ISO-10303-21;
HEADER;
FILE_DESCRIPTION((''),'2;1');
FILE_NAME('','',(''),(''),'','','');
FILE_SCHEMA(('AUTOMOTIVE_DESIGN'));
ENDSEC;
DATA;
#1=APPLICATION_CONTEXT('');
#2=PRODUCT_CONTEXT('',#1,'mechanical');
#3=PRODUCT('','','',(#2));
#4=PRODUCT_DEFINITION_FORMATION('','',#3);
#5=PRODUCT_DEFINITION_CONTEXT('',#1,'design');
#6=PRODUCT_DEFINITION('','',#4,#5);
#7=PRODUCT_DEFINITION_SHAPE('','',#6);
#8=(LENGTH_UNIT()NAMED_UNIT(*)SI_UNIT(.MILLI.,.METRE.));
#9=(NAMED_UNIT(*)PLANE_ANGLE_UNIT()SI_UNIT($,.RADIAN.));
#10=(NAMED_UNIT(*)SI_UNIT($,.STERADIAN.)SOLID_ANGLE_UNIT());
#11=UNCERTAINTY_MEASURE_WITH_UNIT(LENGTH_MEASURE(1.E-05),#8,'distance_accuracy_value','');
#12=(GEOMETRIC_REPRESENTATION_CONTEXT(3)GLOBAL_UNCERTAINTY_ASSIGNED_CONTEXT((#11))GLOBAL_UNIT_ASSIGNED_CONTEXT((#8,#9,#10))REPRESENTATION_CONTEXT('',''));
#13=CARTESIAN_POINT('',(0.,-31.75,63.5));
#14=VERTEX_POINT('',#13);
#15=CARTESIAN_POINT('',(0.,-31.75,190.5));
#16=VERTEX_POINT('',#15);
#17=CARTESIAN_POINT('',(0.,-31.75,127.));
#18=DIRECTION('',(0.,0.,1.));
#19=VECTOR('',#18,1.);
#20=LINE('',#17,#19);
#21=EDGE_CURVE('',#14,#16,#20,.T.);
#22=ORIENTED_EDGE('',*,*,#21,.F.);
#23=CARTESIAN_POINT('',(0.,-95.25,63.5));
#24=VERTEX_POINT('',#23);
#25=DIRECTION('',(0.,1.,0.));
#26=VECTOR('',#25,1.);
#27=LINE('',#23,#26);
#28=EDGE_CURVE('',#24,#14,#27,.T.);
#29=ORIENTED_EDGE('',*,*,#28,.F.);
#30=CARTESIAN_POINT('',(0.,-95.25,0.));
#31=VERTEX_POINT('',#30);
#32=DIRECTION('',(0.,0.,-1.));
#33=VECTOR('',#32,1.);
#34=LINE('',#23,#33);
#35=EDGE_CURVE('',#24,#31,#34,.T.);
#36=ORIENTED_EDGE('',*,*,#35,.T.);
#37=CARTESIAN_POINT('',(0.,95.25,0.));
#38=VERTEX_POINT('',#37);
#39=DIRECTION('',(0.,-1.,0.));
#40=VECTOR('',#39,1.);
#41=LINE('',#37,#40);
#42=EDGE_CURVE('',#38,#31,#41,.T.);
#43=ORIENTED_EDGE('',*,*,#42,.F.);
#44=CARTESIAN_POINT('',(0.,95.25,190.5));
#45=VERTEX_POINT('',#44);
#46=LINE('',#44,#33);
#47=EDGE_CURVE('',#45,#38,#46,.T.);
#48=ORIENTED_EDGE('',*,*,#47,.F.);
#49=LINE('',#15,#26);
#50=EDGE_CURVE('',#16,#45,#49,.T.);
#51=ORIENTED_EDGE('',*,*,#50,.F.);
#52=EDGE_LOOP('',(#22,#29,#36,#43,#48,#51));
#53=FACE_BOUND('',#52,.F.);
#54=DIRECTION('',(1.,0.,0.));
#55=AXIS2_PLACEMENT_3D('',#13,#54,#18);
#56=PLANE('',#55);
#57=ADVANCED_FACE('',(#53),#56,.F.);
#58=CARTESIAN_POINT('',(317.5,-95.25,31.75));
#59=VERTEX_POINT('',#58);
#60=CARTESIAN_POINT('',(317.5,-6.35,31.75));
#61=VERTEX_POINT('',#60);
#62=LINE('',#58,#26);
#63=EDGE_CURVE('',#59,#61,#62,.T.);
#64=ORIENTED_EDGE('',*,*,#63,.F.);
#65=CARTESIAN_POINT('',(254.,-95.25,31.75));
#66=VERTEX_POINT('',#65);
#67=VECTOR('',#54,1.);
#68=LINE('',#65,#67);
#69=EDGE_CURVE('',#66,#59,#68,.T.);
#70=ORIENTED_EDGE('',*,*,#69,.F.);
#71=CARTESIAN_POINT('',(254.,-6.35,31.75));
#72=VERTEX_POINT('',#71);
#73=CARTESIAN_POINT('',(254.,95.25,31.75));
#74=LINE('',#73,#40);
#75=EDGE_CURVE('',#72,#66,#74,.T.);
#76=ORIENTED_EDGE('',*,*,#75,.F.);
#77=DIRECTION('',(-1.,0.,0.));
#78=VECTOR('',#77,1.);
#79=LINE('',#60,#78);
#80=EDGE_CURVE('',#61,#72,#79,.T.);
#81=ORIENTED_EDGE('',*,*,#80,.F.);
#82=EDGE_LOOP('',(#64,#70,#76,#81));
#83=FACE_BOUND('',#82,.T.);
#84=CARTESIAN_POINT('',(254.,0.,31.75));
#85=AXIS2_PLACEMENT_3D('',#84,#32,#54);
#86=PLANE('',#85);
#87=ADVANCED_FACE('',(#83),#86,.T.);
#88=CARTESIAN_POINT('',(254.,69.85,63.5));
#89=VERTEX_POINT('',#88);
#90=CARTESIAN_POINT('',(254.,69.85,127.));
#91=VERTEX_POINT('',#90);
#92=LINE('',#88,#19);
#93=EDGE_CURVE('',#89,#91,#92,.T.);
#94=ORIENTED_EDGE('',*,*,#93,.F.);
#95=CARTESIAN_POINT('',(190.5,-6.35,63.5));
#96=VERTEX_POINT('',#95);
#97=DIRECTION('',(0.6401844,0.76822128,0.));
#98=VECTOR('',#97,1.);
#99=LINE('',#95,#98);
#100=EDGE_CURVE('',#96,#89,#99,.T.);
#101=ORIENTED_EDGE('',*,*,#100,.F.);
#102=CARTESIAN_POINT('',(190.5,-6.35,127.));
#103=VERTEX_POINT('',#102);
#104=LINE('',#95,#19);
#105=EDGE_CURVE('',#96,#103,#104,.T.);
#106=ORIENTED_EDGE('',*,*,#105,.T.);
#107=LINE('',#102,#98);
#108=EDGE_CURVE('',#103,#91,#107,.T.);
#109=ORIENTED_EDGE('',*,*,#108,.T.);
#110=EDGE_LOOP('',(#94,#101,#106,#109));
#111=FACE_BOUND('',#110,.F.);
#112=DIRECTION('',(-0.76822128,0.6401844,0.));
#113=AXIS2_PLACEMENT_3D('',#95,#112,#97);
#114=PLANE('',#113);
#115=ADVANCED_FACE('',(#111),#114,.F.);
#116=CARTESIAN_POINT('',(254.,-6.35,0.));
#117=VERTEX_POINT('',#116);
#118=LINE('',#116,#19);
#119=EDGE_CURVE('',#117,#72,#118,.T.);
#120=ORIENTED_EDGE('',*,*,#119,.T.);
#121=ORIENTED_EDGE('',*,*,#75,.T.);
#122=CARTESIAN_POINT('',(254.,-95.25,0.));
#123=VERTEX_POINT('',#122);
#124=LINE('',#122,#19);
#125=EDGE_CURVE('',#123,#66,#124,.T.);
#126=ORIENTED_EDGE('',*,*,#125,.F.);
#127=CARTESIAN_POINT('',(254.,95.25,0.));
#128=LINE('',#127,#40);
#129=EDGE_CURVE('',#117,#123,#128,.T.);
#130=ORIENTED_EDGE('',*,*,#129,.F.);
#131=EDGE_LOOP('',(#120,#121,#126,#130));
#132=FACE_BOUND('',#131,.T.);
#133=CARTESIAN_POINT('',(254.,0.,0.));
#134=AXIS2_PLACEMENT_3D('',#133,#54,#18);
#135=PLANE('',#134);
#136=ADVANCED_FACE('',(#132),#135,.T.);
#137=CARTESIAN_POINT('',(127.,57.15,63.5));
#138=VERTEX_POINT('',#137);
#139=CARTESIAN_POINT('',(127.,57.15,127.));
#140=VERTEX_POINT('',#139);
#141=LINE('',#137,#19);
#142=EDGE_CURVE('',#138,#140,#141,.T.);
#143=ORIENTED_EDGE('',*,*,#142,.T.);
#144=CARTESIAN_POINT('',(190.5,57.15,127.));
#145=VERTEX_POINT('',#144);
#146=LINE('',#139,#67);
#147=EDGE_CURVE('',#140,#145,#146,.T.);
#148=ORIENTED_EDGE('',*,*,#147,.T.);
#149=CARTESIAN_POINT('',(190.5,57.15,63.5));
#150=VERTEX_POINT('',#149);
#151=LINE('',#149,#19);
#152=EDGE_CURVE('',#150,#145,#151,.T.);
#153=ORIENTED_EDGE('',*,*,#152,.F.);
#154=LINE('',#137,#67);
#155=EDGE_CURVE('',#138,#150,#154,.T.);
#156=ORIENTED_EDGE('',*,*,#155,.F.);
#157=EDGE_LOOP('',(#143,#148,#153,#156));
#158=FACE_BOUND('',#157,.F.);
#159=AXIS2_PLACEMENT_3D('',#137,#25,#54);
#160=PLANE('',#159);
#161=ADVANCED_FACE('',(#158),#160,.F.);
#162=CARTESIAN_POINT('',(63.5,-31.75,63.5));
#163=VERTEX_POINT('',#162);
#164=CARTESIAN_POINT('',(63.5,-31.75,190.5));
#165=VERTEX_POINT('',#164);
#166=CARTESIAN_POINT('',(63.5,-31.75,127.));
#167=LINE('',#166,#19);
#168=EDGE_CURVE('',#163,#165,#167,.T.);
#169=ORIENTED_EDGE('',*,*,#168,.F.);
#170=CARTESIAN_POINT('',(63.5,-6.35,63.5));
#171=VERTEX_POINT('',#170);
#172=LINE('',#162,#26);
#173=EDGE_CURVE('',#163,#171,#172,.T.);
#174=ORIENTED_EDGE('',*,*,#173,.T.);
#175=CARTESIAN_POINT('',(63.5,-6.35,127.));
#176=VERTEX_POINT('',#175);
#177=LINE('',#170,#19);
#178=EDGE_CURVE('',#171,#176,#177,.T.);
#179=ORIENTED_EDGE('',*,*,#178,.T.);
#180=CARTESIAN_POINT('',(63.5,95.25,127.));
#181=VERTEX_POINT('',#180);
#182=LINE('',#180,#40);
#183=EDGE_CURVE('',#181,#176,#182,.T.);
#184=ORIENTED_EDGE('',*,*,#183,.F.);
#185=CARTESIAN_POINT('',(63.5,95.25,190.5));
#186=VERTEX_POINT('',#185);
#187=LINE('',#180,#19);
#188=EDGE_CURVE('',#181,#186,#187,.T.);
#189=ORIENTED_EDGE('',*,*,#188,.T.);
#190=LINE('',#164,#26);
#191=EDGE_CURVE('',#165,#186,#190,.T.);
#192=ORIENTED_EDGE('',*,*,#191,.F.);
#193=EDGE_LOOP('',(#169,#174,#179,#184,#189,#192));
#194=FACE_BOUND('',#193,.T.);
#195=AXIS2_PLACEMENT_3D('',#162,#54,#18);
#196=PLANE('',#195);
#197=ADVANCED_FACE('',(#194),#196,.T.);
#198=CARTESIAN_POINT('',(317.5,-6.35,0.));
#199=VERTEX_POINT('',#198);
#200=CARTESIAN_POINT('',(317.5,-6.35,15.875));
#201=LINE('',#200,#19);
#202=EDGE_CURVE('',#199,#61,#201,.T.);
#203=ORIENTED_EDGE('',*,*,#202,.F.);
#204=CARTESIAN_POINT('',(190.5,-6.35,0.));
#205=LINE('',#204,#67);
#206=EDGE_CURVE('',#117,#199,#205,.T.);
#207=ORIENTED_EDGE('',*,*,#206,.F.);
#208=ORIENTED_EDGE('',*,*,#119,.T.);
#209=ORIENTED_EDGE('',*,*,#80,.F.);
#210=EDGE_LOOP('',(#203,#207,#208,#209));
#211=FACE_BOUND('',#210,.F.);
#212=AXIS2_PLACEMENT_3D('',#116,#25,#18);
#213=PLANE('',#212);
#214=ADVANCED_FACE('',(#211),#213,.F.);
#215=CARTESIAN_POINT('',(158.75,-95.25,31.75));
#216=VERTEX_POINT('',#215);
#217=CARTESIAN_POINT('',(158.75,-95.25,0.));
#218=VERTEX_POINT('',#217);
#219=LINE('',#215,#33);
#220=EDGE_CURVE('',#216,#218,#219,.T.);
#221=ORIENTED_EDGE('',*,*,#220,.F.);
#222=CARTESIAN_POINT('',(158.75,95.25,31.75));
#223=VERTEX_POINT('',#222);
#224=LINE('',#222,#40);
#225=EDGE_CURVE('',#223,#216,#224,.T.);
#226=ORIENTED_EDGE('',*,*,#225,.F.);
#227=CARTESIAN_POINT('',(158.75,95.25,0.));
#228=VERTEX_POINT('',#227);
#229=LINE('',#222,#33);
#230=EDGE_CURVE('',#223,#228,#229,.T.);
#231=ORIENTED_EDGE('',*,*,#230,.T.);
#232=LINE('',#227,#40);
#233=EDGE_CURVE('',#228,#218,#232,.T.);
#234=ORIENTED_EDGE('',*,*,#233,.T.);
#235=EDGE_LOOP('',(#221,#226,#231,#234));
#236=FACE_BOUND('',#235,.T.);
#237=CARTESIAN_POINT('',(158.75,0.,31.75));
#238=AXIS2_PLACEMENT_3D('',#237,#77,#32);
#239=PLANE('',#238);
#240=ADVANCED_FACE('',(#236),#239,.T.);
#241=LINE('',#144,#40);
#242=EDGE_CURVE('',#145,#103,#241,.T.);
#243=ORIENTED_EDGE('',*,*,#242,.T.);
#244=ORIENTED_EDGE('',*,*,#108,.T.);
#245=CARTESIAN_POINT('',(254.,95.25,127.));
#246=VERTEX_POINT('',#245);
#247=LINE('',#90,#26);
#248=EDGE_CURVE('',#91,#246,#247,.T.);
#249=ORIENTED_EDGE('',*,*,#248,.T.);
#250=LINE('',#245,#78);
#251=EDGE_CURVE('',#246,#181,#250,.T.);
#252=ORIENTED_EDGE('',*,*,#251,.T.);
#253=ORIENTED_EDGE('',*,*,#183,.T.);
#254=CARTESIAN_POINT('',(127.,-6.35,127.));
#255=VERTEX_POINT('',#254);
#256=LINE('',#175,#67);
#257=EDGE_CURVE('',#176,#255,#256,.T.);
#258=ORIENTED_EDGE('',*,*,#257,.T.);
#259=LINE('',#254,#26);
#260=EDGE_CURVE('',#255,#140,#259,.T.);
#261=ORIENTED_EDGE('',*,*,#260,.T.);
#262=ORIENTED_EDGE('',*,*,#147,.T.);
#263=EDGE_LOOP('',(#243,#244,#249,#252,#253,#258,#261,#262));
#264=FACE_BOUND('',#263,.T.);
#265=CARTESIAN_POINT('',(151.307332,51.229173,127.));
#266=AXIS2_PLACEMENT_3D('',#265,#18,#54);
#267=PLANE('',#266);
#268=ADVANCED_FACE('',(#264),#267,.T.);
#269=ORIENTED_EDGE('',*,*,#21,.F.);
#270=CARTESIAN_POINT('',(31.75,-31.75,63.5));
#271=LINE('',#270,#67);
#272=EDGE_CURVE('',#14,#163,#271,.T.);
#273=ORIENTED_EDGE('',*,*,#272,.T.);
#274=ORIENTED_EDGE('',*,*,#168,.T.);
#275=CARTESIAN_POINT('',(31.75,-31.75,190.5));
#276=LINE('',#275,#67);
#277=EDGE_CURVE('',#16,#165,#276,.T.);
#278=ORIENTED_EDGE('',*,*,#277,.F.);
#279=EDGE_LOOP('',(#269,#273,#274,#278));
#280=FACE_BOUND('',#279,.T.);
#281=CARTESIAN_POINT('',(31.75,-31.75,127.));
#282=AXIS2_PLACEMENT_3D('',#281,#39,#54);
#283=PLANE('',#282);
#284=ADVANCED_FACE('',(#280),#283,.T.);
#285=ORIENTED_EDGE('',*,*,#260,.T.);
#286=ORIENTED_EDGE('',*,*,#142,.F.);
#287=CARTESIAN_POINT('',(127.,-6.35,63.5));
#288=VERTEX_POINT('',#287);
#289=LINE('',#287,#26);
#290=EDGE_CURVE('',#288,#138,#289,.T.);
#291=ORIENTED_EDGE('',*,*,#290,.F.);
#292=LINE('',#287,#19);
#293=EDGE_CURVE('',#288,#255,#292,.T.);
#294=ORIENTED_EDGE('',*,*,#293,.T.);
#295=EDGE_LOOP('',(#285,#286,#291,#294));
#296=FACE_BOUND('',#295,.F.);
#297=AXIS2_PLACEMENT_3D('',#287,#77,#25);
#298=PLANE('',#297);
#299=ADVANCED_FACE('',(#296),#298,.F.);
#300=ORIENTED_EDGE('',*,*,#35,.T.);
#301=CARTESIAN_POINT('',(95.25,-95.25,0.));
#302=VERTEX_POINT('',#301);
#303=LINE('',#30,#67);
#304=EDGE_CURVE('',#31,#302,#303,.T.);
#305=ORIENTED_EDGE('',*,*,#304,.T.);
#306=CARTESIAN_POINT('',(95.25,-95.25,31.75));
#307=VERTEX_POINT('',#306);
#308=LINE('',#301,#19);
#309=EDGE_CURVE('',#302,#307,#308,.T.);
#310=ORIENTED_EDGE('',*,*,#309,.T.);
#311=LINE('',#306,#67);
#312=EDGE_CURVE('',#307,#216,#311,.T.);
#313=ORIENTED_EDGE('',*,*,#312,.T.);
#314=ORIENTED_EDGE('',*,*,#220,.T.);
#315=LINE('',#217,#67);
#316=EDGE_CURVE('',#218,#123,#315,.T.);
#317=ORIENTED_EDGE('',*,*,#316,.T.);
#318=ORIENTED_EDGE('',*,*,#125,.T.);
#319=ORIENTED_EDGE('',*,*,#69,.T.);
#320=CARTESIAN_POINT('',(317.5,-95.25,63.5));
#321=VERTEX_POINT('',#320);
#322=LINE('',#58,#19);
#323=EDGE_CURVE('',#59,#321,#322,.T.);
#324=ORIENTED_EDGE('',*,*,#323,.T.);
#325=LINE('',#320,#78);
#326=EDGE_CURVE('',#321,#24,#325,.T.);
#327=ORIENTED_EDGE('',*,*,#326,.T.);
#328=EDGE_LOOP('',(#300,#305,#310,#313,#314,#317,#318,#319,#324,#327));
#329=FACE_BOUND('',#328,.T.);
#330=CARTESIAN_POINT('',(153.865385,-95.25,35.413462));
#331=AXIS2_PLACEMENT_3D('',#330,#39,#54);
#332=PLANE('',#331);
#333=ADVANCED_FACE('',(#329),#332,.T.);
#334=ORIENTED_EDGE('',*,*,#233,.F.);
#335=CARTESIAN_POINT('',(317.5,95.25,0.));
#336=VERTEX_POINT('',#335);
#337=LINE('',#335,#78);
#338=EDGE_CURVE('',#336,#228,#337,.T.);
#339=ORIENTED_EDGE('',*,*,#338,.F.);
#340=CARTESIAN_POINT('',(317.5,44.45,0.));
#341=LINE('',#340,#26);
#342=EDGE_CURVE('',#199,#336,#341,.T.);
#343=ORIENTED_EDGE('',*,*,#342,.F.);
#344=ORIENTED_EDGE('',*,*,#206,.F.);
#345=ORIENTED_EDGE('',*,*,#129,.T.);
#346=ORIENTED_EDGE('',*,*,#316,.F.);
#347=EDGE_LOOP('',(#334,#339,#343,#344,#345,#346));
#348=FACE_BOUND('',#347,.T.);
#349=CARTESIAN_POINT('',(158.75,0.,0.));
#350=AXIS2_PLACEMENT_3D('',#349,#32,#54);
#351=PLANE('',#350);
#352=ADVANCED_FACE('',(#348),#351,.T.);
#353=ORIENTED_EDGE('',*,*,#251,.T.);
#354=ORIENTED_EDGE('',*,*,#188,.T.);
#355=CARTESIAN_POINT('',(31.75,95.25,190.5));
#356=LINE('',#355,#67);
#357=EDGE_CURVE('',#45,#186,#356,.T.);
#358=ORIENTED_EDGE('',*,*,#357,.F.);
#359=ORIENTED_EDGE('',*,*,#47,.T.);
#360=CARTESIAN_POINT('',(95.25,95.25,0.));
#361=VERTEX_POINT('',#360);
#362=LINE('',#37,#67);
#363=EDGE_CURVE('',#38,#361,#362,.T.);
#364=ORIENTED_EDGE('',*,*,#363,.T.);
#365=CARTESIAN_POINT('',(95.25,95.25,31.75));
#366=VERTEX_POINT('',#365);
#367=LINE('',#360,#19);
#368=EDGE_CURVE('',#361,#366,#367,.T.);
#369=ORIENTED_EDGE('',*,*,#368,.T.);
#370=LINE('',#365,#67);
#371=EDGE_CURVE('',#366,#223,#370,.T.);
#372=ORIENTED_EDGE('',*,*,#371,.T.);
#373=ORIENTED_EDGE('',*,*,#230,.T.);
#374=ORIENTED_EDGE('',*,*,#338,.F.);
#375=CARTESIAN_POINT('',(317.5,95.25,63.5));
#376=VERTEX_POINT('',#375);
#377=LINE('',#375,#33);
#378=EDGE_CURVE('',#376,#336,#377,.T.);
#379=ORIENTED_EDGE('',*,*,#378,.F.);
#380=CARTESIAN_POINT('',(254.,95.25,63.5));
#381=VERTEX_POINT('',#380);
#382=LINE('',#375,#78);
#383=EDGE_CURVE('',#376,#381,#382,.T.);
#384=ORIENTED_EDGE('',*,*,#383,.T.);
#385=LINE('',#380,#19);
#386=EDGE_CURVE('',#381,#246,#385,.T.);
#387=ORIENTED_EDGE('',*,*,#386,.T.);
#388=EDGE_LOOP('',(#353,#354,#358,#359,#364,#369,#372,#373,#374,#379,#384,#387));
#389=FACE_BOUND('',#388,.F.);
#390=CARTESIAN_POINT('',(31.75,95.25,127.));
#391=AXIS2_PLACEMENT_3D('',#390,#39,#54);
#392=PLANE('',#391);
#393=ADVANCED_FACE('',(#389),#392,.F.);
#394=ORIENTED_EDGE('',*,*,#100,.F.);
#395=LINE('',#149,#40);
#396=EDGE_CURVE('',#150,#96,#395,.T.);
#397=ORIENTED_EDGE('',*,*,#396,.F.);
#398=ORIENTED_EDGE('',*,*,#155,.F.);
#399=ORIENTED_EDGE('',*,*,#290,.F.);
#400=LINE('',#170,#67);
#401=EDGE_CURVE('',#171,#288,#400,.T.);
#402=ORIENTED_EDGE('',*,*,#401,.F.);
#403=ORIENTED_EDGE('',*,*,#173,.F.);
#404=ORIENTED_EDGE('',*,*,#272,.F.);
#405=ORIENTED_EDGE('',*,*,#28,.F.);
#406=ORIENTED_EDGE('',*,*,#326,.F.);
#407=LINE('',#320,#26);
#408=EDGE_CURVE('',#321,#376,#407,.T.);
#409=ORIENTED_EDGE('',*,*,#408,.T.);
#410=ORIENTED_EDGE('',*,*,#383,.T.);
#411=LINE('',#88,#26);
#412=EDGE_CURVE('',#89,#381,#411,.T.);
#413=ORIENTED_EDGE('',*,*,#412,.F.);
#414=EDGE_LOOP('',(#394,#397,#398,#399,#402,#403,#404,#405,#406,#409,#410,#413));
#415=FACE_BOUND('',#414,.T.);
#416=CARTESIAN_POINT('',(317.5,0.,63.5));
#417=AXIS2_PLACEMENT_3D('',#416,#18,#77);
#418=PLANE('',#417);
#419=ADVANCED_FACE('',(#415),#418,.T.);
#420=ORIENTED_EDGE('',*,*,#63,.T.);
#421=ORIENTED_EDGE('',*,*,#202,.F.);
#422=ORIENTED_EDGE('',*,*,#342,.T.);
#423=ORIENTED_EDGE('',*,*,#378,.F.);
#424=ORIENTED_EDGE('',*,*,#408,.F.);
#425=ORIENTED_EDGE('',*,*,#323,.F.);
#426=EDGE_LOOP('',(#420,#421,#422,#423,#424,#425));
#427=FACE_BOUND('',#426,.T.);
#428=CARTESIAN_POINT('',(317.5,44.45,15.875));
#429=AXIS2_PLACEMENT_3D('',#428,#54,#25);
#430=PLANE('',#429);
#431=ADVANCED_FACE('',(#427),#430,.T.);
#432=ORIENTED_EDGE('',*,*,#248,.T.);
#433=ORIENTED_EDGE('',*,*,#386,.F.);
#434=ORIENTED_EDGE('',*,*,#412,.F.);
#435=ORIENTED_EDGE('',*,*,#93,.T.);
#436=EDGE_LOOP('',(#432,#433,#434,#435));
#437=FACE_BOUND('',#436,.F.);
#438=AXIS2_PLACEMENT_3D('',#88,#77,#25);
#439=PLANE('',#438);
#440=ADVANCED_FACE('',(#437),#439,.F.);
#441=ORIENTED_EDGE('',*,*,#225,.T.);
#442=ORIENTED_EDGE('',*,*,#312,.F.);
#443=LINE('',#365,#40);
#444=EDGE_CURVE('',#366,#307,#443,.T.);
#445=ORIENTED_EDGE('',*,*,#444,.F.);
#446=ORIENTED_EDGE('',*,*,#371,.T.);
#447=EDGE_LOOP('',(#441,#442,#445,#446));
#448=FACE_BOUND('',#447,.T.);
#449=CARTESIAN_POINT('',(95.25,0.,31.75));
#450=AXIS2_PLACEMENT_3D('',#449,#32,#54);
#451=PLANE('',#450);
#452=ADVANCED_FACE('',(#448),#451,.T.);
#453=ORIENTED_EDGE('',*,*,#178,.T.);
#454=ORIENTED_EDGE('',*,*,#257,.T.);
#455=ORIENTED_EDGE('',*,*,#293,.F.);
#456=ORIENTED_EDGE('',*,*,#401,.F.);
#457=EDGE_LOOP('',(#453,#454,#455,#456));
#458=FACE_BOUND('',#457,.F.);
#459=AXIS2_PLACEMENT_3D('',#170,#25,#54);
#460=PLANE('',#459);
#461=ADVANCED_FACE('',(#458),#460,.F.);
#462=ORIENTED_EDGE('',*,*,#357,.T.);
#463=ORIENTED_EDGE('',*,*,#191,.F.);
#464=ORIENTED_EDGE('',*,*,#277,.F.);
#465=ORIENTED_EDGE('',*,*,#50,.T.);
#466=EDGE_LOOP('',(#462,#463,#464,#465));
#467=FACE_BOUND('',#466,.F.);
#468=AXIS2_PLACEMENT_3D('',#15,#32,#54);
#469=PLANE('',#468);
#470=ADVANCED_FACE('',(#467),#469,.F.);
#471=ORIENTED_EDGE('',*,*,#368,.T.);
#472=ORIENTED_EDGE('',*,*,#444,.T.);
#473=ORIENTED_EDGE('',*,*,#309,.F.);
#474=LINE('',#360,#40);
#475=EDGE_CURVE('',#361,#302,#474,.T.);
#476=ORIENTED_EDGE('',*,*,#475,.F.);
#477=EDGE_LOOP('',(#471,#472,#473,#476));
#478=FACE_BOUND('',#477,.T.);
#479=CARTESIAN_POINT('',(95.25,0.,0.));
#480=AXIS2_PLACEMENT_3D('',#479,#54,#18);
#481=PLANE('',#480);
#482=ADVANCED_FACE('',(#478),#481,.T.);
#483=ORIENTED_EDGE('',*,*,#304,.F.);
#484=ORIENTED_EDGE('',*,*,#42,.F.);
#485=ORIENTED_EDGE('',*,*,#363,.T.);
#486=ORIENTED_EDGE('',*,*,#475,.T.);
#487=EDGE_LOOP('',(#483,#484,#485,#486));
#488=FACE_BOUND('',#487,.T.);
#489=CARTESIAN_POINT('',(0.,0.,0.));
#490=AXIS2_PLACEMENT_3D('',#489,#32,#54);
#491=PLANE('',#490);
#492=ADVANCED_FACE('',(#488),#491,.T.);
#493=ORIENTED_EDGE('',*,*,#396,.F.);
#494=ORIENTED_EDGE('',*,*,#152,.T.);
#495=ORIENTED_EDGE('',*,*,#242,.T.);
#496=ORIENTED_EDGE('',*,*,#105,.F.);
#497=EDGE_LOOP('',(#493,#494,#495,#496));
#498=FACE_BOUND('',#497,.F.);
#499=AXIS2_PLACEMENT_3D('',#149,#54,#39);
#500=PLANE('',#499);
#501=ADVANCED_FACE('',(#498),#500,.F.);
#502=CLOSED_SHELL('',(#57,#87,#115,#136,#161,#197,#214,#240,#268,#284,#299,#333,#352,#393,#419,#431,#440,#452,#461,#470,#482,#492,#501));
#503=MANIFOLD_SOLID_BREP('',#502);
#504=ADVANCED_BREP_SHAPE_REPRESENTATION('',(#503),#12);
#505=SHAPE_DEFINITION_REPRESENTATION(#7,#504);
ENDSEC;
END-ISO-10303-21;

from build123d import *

# Parameters (mm, degrees)
F1_DEPTH = 95.25
F2_W     = 101.5999999233
F2_H     = 31.75
F3_DEPTH = 63.5
F5_START = -63.5
F4_W     = 63.5
F4_H     = 127
F5_DEPTH = 127
F7_DEPTH = 63.5


with BuildPart() as f1:
    # F0 (on Front) → F1 (new body, symmetric)
    with BuildSketch(Plane.XZ):
        Polygon((0, 63.5), (0, 0), (95.25, 0), (95.25, 31.75), (158.75, 31.75), (158.75, 0), (254, 0), (254, 31.75), (317.5, 31.75), (317.5, 63.5), align=None)
    extrude(amount=F1_DEPTH, both=True)

    # F2 (on face) → F3 (join, symmetric)
    with BuildSketch(Plane.YZ.offset(254)):
        with Locations((44.4500000384, 15.875)):
            Rectangle(F2_W, F2_H)
    extrude(amount=F3_DEPTH, both=True)

    # F4 (on face) → F5 (join)
    with BuildSketch(Plane.XZ.offset(95.25).offset(F5_START)):
        with Locations((31.75, 127)):
            Rectangle(F4_W, F4_H)
    extrude(amount=-F5_DEPTH)

    # F6 (on face) → F7 (join)
    with BuildSketch(Plane.XY.offset(63.5)):
        Polygon((63.5, 95.25), (63.5, -6.35), (127, -6.35), (127, 57.15), (190.5, 57.15), (190.5, -6.35), (254, 69.85), (254, 95.25), align=None)
    extrude(amount=F7_DEPTH)


solid = f1.part
